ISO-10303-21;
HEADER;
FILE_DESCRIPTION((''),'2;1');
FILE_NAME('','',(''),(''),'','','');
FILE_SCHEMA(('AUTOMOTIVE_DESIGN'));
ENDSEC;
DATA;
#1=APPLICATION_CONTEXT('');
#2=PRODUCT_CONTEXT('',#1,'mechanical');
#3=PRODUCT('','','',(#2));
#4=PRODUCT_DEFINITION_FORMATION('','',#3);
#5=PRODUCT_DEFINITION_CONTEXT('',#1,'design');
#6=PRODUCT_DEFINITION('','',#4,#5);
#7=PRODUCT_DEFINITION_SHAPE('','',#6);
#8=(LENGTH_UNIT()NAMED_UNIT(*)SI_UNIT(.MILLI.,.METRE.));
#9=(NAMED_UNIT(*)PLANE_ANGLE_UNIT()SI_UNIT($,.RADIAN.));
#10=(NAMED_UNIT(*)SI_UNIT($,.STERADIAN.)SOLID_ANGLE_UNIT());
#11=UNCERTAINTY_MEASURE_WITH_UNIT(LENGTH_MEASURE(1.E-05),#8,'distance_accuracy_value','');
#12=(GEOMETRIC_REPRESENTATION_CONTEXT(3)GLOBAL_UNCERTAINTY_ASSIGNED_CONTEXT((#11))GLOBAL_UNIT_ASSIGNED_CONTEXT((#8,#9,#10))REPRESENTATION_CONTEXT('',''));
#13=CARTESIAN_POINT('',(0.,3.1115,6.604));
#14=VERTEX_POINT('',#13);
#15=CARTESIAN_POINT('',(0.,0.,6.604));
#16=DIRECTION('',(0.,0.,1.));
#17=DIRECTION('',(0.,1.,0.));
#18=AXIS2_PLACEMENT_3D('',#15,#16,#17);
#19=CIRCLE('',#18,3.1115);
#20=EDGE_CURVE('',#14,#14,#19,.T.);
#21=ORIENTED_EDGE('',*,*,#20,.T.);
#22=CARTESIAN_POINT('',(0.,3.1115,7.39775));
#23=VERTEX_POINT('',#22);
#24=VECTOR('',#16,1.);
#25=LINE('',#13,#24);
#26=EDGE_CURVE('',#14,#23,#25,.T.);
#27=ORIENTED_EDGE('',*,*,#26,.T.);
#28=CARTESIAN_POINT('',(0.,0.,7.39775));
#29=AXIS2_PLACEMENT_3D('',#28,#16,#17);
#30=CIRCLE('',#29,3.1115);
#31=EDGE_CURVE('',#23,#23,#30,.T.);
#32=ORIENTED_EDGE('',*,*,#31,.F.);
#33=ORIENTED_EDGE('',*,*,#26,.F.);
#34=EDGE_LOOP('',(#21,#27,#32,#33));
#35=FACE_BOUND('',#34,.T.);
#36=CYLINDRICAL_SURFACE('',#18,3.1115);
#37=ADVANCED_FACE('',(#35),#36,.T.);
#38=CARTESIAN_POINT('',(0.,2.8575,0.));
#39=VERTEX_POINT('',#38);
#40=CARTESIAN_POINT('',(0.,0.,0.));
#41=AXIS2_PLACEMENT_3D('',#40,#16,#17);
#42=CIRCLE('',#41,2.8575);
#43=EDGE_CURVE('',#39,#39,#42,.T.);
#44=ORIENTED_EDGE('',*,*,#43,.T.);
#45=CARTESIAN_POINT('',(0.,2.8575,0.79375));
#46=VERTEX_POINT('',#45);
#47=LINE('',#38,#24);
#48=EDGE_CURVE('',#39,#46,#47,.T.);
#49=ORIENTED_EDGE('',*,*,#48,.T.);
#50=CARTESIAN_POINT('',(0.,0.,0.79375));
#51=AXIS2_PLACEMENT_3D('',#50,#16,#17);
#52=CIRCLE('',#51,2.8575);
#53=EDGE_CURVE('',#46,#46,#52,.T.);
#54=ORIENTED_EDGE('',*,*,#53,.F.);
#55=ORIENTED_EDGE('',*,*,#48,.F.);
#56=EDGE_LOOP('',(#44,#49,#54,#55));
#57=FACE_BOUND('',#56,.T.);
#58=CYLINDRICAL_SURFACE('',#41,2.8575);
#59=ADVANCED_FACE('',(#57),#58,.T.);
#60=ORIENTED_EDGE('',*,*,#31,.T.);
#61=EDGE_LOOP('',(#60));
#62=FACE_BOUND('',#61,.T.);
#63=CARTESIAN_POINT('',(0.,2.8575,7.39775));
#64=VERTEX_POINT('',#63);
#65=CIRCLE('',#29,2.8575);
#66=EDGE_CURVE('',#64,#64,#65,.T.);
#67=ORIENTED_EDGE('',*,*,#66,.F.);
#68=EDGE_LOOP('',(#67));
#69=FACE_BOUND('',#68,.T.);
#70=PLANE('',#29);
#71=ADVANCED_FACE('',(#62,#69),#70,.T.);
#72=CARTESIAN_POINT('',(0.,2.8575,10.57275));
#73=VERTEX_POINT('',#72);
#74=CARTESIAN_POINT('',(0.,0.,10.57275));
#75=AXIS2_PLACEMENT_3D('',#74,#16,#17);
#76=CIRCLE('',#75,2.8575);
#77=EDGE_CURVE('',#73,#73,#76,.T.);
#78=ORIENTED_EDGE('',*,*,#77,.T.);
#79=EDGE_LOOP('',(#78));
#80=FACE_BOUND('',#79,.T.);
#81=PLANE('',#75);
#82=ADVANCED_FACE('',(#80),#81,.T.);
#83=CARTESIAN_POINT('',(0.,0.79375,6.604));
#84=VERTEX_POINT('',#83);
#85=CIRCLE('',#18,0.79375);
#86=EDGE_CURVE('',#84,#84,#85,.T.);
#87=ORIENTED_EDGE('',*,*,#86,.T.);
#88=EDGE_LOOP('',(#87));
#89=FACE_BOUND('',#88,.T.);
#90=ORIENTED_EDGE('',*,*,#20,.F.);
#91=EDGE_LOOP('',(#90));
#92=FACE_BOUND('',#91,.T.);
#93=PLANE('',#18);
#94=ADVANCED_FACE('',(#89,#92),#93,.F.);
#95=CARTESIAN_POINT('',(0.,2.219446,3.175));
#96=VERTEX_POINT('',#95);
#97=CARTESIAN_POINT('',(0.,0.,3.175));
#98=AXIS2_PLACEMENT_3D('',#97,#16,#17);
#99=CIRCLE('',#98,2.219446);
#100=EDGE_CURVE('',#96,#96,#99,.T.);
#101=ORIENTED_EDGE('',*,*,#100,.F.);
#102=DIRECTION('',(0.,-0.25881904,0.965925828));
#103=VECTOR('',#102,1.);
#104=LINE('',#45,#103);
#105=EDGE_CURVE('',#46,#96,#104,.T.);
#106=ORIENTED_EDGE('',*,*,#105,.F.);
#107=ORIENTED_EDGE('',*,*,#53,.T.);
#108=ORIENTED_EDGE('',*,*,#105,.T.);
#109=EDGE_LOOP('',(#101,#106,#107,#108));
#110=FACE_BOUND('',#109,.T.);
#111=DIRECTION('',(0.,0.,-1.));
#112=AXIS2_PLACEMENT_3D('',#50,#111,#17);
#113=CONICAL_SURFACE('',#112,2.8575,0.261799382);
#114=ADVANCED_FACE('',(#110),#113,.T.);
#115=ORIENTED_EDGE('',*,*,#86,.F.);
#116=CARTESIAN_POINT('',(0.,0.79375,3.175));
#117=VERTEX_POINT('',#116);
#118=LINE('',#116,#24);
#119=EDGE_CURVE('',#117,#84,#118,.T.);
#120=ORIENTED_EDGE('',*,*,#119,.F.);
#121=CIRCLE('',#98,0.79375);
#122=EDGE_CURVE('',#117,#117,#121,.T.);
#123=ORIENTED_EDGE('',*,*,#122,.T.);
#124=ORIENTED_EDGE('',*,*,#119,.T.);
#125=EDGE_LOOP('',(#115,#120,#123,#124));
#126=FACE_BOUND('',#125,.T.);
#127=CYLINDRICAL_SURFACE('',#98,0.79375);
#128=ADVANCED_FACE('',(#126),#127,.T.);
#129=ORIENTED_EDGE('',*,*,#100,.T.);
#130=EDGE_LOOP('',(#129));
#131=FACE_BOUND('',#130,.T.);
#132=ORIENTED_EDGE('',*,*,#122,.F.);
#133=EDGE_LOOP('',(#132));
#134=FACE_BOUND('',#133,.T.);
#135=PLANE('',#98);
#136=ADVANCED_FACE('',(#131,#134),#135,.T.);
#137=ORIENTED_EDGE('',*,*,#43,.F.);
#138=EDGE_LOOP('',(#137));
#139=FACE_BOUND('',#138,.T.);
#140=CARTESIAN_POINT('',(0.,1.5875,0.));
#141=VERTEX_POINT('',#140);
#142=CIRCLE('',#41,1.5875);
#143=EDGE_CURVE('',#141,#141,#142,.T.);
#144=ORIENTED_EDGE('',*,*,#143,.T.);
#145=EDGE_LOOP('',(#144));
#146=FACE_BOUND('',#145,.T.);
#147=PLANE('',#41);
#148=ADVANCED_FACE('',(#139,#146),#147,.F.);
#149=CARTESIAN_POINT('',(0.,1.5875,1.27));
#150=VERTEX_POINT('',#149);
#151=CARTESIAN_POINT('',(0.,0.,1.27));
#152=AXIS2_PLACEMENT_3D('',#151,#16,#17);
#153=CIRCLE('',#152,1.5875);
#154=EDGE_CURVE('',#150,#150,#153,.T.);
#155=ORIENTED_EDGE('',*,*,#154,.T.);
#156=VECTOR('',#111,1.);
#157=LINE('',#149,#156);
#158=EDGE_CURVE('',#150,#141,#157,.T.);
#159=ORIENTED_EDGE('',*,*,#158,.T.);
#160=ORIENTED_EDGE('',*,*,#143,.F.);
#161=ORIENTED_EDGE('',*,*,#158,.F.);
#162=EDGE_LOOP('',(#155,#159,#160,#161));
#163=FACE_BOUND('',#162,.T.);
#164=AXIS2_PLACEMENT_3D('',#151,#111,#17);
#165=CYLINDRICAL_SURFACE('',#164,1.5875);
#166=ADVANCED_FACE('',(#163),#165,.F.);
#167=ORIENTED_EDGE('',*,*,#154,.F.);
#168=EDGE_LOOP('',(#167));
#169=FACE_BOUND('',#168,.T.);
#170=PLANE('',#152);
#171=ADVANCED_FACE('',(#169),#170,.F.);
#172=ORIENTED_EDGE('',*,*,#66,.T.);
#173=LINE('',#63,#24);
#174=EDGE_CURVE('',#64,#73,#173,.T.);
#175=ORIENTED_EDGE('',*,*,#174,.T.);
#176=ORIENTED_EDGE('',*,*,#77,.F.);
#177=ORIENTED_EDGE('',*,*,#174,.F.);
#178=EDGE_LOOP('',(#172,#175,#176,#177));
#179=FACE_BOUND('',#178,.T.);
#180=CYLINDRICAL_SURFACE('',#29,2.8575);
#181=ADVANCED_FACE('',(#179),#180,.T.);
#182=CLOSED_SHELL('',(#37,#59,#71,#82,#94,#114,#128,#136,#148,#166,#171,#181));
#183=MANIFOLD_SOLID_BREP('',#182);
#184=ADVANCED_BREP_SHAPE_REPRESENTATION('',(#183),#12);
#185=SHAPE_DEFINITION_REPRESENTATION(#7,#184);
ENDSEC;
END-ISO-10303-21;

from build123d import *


with BuildPart() as f1:
    # F0 (on Right) → F1 (revolve)
    with BuildSketch(Plane.YZ):
        Polygon((0, 10.57275), (0, 1.27), (1.5875, 1.27), (1.5875, 0), (2.8575, 0), (2.8575, 0.79375), (2.219446, 3.175), (0.79375, 3.175), (0.79375, 6.604), (3.1115, 6.604), (3.1115, 7.39775), (2.8575, 7.39775), (2.8575, 10.57275), align=None)
    revolve(axis=Axis((0, 0, 5.286375), (0, 0, 1)))


solid = f1.part
